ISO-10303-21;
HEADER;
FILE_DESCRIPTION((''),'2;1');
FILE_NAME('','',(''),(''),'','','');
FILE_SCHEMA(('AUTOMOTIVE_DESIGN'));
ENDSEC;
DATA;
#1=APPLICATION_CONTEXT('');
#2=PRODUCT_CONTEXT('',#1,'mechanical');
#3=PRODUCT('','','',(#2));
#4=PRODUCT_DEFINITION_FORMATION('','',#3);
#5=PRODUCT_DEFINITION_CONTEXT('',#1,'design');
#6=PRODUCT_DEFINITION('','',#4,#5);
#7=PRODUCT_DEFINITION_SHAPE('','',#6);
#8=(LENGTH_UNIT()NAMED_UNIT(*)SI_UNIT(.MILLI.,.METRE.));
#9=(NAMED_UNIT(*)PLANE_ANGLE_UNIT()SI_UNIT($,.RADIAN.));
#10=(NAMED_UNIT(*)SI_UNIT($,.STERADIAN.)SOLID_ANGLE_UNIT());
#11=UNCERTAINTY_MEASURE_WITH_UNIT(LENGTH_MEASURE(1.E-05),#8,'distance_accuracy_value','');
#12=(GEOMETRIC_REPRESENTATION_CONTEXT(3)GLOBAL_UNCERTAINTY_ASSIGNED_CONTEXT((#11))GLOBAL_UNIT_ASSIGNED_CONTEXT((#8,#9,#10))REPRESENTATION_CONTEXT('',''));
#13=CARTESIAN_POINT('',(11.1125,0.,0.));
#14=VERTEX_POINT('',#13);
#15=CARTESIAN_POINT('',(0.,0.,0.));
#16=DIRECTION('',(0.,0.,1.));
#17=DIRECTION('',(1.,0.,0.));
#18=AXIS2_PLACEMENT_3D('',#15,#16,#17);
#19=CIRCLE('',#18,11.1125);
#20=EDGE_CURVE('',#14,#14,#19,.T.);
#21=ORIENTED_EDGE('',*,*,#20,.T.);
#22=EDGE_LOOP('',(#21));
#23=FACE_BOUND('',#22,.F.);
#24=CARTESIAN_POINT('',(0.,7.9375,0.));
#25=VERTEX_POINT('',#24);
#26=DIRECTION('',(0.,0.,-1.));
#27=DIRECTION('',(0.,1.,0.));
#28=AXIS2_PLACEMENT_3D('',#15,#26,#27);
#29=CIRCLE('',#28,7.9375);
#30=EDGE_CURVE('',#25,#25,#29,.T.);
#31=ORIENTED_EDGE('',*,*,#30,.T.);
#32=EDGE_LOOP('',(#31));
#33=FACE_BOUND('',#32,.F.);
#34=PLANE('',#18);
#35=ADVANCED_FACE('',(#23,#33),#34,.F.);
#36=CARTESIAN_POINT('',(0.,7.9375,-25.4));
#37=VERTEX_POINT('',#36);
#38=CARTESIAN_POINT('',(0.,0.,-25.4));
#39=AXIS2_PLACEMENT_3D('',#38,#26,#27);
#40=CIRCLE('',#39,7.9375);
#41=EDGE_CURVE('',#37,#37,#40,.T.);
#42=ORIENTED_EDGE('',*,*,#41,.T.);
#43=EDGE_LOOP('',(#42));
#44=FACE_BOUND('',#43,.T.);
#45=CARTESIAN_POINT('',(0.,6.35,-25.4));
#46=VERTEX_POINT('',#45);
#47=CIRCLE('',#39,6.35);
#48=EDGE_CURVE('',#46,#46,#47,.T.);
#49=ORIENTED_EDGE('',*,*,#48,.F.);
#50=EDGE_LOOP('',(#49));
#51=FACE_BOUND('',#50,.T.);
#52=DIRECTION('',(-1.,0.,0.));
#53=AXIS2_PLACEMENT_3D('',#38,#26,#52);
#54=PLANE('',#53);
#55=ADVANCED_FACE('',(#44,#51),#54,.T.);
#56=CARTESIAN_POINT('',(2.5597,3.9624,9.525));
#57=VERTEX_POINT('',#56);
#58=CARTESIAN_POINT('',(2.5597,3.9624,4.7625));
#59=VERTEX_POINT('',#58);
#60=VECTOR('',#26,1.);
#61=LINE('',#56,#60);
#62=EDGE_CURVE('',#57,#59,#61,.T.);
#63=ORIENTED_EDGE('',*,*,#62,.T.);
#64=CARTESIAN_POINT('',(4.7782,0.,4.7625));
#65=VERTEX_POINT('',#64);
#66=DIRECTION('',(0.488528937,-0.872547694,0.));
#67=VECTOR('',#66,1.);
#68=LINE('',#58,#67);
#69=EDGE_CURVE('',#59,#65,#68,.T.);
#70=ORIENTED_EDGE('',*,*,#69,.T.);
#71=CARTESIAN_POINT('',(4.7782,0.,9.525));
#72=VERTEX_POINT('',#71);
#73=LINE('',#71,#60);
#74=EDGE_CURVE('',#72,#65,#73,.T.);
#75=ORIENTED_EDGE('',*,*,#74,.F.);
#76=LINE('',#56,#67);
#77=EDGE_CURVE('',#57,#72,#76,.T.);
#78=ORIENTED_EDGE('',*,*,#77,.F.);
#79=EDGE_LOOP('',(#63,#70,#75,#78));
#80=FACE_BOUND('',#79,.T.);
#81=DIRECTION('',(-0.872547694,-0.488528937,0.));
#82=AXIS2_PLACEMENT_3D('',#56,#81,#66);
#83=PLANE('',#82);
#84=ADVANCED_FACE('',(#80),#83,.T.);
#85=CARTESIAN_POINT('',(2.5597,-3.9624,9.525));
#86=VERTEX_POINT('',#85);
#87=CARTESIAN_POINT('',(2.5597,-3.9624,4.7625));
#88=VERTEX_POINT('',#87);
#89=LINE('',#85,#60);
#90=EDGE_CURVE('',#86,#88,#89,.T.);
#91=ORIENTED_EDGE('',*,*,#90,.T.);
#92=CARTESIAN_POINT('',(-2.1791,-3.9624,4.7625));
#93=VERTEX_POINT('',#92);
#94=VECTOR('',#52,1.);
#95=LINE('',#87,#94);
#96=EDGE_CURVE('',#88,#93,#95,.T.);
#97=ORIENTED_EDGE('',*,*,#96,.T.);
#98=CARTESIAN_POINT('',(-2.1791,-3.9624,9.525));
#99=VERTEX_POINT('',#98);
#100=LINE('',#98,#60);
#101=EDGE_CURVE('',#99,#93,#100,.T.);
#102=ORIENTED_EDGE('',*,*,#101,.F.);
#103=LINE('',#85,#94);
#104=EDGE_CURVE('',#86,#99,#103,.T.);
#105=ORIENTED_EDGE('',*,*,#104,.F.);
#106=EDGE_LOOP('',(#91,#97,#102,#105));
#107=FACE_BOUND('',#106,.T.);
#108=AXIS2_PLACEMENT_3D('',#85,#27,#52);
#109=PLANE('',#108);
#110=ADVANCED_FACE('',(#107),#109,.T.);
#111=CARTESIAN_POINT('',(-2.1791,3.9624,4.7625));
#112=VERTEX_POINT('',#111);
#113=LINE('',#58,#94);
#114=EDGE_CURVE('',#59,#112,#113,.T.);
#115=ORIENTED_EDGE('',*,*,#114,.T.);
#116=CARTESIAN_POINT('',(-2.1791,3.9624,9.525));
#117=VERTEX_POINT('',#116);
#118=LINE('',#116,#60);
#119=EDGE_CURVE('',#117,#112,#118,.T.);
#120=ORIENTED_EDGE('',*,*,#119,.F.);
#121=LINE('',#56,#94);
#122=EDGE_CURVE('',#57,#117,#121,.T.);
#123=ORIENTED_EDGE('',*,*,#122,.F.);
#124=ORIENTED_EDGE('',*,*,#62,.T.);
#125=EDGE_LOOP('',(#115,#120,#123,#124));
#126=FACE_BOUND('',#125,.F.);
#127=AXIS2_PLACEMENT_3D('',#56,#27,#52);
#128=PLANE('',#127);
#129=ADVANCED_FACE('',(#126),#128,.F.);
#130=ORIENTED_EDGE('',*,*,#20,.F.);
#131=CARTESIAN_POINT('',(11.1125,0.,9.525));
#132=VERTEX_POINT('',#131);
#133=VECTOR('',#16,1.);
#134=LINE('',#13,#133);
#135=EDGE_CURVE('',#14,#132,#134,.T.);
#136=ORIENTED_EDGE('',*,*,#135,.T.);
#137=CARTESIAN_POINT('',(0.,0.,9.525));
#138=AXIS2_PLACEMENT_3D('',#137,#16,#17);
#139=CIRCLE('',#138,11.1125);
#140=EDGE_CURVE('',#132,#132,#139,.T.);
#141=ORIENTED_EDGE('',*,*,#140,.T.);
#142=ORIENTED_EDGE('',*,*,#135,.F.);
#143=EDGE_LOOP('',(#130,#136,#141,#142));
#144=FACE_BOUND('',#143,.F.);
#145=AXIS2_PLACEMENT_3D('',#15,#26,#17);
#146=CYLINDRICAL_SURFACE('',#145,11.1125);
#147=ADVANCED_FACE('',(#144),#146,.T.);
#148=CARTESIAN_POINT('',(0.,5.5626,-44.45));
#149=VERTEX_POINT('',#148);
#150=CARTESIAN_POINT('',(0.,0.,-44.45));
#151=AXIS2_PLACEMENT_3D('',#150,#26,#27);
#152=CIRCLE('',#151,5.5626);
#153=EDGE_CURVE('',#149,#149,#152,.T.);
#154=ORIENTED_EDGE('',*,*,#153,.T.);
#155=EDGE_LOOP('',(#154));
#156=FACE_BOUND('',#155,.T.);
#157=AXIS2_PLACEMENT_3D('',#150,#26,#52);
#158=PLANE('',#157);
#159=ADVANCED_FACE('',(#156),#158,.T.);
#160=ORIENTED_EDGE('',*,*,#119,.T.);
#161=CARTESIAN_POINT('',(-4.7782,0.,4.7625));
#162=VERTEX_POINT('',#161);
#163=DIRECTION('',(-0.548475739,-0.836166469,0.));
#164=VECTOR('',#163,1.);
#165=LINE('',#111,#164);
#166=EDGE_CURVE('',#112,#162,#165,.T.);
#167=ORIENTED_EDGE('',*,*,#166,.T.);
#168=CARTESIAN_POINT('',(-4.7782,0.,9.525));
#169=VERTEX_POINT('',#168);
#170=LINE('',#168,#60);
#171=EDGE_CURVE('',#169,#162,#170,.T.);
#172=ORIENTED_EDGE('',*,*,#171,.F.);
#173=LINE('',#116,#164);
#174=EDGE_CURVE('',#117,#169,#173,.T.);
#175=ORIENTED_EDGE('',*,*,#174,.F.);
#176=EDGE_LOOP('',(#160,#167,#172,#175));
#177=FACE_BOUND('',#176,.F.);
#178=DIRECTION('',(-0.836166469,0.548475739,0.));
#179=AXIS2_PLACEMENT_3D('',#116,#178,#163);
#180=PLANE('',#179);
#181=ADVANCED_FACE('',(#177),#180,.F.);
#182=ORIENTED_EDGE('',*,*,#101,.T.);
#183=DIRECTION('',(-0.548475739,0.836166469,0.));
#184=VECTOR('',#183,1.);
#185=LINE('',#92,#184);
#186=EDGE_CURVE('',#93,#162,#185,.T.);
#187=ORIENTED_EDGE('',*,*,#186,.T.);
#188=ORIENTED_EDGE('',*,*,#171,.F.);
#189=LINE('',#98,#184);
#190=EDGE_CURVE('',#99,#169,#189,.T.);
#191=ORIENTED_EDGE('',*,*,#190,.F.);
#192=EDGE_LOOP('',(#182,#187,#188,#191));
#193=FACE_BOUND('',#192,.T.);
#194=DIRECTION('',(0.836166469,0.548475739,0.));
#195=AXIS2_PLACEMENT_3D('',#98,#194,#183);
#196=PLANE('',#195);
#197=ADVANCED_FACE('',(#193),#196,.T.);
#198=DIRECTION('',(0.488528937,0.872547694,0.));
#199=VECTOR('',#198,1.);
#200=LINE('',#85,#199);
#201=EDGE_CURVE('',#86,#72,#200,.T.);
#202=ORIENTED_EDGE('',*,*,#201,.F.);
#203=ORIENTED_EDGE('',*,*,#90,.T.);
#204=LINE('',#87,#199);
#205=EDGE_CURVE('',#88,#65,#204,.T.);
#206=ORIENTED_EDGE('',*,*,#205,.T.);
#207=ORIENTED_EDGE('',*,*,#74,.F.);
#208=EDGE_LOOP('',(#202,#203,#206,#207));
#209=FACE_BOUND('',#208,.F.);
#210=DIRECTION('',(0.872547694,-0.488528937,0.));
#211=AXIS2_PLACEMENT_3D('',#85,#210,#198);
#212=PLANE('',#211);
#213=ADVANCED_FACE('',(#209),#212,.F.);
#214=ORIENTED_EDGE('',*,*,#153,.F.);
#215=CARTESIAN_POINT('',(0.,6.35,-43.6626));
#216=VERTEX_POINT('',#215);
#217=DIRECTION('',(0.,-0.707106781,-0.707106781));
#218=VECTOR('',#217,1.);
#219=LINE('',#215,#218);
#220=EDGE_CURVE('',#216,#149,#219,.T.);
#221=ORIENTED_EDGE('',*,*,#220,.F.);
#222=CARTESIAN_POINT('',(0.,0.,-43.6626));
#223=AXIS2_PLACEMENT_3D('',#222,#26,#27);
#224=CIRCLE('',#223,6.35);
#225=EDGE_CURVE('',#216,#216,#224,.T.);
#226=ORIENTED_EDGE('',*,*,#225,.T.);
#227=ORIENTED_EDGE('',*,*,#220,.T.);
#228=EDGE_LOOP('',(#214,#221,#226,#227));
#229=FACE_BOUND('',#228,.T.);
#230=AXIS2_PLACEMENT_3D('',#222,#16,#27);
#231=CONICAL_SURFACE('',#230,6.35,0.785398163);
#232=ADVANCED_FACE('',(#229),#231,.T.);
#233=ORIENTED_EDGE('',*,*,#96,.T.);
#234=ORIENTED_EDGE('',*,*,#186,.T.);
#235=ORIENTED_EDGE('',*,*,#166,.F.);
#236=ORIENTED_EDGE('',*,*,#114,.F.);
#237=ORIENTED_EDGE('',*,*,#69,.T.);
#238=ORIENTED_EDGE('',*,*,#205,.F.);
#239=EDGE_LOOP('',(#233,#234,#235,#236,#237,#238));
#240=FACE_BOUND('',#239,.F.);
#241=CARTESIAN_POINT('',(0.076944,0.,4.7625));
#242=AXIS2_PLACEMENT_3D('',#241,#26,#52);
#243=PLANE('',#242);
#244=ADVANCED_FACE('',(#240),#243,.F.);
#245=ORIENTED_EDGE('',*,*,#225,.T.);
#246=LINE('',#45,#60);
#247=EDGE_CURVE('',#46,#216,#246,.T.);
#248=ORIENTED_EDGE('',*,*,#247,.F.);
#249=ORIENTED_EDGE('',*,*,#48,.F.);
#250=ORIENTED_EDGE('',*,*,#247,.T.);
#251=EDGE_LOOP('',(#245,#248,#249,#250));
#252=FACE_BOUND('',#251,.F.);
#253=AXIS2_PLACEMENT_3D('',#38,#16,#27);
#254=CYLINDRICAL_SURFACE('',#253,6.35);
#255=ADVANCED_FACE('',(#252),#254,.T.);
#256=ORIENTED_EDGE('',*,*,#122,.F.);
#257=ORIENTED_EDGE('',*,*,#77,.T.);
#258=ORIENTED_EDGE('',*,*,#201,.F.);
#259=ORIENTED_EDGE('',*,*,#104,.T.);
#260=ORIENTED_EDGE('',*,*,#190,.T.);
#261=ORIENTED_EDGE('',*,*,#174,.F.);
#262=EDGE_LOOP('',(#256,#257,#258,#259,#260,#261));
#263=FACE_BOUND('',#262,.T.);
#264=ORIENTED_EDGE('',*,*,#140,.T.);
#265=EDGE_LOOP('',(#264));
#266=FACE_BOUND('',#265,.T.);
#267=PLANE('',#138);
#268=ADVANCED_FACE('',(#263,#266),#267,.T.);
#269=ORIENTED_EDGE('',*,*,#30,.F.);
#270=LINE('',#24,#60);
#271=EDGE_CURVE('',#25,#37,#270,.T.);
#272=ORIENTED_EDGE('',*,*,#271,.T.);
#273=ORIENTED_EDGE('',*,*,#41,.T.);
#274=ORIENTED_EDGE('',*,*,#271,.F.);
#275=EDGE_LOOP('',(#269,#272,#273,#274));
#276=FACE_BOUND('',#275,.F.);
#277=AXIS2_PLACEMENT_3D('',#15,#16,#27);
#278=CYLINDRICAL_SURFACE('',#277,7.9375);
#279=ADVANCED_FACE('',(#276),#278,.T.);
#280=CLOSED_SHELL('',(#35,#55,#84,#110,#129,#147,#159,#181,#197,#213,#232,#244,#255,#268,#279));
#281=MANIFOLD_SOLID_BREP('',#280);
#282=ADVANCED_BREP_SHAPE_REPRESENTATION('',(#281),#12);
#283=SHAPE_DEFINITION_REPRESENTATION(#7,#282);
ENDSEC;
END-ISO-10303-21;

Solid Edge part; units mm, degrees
sketch "Sketch1" plane through (0, 0, 0) normal (0, 0, 1) x (1, 0, 0)
  circle A0 centre (0, 0) radius 11.1125
  dimension "D1" = 22.225
extrude "Protrusion1" add sketch "Sketch1" along normal blind 9.525
sketch "Sketch2" plane through (0, 0, 0) normal (0, 0, -1) x (0, 1, 0)
  circle A0 centre (0, 0) radius 7.9375
  dimension "D1" = 15.875
extrude "Protrusion2" add sketch "Sketch2" along normal blind 25.4
sketch "Sketch3" plane through (0, 0, -25.4) normal (0, 0, -1) x (0, 1, 0)
  circle A0 centre (0, 0) radius 6.35
  dimension "D1" = 12.7
extrude "Protrusion3" add sketch "Sketch3" along normal blind 19.05
sketch "Sketch4" plane through (0, 0, 9.525) normal (0, 0, 1) x (0, 1, 0)
  line L0 (-3.9624, 2.1791) -> (0, 4.7782)
  line L1 (-3.9624, -2.5597) -> (-3.9624, 2.1791)
  line L2 (-3.9624, -2.5597) -> (0, -4.7782)
  line L3 (3.9624, -2.5597) -> (0, -4.7782)
  line L4 (3.9624, -2.5597) -> (3.9624, 2.1791)
  line L5 (3.9624, 2.1791) -> (0, 4.7782)
  dimension "D1" = 7.9248
extrude "Cutout1" cut sketch "Sketch4" against normal blind 4.7625
chamfer "Chamfer1" distance 0.7874 angle 45 1 edges at (0, -6.35, -44.45)
properties part number "24104361"
